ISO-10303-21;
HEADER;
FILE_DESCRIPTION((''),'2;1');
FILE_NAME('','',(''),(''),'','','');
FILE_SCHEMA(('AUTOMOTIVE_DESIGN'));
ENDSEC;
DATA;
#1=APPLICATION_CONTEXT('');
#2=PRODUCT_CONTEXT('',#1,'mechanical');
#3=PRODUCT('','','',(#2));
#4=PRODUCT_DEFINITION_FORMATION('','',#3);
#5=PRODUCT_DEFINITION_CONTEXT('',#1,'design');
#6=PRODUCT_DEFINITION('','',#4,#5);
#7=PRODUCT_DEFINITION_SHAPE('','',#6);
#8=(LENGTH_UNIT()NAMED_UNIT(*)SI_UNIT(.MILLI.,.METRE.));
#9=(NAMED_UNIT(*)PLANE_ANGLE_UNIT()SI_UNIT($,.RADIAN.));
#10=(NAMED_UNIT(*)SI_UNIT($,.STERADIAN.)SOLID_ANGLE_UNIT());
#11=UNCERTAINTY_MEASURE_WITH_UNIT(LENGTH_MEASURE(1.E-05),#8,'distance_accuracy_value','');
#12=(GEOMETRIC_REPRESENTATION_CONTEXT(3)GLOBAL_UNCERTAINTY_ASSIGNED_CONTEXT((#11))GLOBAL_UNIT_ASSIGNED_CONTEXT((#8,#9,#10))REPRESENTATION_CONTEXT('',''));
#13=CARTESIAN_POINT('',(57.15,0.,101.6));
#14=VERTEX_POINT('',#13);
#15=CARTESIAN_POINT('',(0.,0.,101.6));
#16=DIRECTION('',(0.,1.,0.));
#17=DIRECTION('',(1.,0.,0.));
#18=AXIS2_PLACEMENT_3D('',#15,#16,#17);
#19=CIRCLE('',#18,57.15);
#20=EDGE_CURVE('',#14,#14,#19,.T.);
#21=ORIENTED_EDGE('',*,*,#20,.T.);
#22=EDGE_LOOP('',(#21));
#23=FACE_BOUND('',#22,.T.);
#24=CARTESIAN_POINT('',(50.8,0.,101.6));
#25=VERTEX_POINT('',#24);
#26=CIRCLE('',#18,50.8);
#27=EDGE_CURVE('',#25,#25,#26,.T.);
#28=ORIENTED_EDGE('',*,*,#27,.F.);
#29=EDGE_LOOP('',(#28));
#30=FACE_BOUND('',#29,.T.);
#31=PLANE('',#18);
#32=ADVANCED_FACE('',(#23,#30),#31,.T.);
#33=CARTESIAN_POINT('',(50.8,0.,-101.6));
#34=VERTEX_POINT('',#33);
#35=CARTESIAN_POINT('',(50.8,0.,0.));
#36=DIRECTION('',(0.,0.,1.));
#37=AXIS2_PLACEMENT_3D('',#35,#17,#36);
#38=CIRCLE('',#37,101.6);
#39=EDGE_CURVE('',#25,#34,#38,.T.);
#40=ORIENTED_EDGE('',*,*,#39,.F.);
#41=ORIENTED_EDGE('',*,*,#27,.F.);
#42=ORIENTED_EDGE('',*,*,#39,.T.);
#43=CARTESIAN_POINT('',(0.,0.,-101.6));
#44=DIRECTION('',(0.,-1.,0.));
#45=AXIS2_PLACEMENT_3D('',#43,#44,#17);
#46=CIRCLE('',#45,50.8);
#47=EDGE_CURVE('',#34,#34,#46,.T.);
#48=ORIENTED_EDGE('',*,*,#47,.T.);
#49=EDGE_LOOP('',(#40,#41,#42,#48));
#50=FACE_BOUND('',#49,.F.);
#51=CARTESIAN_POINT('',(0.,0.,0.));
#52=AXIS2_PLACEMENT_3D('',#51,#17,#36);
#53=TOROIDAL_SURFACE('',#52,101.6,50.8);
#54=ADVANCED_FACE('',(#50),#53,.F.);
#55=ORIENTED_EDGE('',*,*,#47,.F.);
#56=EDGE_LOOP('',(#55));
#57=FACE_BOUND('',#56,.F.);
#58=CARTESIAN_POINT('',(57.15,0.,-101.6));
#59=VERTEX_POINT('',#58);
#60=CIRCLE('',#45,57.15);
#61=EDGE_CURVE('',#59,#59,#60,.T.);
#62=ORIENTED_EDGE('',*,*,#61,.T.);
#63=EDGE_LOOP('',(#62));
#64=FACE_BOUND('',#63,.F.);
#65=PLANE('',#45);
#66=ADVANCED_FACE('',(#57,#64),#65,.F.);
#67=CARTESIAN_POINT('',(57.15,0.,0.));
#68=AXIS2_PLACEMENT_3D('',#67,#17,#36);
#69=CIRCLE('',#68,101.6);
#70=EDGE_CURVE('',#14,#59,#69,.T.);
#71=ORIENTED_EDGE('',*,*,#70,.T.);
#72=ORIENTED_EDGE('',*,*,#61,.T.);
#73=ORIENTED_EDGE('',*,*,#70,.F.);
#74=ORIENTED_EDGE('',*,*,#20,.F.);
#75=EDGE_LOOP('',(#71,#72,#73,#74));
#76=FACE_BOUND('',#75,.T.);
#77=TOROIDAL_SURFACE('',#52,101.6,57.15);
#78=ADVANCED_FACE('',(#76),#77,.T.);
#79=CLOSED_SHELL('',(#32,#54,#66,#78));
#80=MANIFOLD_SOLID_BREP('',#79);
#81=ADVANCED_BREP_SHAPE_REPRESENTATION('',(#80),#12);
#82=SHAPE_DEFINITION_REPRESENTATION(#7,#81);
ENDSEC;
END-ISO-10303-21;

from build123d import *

# Parameters (mm, degrees)
F0_R          = 57.15
F0_R_2        = 50.8
F1_ANGLE_BACK = 90
F1_ANGLE      = 180


with BuildPart() as f1:
    # F0 (on Top) → F1 (revolve)
    with BuildSketch(Plane.XY, mode=Mode.PRIVATE) as f1_sk:
        with Locations((0, -101.6)):
            Circle(F0_R)
        with Locations((0, -101.6)):
            Circle(F0_R_2, mode=Mode.SUBTRACT)
    revolve(f1_sk.sketch.rotate(Axis((68.1504458189, 0, 0), (1, 0, 0)), -F1_ANGLE_BACK), axis=Axis((68.1504458189, 0, 0), (1, 0, 0)), revolution_arc=F1_ANGLE)


solid = f1.part
